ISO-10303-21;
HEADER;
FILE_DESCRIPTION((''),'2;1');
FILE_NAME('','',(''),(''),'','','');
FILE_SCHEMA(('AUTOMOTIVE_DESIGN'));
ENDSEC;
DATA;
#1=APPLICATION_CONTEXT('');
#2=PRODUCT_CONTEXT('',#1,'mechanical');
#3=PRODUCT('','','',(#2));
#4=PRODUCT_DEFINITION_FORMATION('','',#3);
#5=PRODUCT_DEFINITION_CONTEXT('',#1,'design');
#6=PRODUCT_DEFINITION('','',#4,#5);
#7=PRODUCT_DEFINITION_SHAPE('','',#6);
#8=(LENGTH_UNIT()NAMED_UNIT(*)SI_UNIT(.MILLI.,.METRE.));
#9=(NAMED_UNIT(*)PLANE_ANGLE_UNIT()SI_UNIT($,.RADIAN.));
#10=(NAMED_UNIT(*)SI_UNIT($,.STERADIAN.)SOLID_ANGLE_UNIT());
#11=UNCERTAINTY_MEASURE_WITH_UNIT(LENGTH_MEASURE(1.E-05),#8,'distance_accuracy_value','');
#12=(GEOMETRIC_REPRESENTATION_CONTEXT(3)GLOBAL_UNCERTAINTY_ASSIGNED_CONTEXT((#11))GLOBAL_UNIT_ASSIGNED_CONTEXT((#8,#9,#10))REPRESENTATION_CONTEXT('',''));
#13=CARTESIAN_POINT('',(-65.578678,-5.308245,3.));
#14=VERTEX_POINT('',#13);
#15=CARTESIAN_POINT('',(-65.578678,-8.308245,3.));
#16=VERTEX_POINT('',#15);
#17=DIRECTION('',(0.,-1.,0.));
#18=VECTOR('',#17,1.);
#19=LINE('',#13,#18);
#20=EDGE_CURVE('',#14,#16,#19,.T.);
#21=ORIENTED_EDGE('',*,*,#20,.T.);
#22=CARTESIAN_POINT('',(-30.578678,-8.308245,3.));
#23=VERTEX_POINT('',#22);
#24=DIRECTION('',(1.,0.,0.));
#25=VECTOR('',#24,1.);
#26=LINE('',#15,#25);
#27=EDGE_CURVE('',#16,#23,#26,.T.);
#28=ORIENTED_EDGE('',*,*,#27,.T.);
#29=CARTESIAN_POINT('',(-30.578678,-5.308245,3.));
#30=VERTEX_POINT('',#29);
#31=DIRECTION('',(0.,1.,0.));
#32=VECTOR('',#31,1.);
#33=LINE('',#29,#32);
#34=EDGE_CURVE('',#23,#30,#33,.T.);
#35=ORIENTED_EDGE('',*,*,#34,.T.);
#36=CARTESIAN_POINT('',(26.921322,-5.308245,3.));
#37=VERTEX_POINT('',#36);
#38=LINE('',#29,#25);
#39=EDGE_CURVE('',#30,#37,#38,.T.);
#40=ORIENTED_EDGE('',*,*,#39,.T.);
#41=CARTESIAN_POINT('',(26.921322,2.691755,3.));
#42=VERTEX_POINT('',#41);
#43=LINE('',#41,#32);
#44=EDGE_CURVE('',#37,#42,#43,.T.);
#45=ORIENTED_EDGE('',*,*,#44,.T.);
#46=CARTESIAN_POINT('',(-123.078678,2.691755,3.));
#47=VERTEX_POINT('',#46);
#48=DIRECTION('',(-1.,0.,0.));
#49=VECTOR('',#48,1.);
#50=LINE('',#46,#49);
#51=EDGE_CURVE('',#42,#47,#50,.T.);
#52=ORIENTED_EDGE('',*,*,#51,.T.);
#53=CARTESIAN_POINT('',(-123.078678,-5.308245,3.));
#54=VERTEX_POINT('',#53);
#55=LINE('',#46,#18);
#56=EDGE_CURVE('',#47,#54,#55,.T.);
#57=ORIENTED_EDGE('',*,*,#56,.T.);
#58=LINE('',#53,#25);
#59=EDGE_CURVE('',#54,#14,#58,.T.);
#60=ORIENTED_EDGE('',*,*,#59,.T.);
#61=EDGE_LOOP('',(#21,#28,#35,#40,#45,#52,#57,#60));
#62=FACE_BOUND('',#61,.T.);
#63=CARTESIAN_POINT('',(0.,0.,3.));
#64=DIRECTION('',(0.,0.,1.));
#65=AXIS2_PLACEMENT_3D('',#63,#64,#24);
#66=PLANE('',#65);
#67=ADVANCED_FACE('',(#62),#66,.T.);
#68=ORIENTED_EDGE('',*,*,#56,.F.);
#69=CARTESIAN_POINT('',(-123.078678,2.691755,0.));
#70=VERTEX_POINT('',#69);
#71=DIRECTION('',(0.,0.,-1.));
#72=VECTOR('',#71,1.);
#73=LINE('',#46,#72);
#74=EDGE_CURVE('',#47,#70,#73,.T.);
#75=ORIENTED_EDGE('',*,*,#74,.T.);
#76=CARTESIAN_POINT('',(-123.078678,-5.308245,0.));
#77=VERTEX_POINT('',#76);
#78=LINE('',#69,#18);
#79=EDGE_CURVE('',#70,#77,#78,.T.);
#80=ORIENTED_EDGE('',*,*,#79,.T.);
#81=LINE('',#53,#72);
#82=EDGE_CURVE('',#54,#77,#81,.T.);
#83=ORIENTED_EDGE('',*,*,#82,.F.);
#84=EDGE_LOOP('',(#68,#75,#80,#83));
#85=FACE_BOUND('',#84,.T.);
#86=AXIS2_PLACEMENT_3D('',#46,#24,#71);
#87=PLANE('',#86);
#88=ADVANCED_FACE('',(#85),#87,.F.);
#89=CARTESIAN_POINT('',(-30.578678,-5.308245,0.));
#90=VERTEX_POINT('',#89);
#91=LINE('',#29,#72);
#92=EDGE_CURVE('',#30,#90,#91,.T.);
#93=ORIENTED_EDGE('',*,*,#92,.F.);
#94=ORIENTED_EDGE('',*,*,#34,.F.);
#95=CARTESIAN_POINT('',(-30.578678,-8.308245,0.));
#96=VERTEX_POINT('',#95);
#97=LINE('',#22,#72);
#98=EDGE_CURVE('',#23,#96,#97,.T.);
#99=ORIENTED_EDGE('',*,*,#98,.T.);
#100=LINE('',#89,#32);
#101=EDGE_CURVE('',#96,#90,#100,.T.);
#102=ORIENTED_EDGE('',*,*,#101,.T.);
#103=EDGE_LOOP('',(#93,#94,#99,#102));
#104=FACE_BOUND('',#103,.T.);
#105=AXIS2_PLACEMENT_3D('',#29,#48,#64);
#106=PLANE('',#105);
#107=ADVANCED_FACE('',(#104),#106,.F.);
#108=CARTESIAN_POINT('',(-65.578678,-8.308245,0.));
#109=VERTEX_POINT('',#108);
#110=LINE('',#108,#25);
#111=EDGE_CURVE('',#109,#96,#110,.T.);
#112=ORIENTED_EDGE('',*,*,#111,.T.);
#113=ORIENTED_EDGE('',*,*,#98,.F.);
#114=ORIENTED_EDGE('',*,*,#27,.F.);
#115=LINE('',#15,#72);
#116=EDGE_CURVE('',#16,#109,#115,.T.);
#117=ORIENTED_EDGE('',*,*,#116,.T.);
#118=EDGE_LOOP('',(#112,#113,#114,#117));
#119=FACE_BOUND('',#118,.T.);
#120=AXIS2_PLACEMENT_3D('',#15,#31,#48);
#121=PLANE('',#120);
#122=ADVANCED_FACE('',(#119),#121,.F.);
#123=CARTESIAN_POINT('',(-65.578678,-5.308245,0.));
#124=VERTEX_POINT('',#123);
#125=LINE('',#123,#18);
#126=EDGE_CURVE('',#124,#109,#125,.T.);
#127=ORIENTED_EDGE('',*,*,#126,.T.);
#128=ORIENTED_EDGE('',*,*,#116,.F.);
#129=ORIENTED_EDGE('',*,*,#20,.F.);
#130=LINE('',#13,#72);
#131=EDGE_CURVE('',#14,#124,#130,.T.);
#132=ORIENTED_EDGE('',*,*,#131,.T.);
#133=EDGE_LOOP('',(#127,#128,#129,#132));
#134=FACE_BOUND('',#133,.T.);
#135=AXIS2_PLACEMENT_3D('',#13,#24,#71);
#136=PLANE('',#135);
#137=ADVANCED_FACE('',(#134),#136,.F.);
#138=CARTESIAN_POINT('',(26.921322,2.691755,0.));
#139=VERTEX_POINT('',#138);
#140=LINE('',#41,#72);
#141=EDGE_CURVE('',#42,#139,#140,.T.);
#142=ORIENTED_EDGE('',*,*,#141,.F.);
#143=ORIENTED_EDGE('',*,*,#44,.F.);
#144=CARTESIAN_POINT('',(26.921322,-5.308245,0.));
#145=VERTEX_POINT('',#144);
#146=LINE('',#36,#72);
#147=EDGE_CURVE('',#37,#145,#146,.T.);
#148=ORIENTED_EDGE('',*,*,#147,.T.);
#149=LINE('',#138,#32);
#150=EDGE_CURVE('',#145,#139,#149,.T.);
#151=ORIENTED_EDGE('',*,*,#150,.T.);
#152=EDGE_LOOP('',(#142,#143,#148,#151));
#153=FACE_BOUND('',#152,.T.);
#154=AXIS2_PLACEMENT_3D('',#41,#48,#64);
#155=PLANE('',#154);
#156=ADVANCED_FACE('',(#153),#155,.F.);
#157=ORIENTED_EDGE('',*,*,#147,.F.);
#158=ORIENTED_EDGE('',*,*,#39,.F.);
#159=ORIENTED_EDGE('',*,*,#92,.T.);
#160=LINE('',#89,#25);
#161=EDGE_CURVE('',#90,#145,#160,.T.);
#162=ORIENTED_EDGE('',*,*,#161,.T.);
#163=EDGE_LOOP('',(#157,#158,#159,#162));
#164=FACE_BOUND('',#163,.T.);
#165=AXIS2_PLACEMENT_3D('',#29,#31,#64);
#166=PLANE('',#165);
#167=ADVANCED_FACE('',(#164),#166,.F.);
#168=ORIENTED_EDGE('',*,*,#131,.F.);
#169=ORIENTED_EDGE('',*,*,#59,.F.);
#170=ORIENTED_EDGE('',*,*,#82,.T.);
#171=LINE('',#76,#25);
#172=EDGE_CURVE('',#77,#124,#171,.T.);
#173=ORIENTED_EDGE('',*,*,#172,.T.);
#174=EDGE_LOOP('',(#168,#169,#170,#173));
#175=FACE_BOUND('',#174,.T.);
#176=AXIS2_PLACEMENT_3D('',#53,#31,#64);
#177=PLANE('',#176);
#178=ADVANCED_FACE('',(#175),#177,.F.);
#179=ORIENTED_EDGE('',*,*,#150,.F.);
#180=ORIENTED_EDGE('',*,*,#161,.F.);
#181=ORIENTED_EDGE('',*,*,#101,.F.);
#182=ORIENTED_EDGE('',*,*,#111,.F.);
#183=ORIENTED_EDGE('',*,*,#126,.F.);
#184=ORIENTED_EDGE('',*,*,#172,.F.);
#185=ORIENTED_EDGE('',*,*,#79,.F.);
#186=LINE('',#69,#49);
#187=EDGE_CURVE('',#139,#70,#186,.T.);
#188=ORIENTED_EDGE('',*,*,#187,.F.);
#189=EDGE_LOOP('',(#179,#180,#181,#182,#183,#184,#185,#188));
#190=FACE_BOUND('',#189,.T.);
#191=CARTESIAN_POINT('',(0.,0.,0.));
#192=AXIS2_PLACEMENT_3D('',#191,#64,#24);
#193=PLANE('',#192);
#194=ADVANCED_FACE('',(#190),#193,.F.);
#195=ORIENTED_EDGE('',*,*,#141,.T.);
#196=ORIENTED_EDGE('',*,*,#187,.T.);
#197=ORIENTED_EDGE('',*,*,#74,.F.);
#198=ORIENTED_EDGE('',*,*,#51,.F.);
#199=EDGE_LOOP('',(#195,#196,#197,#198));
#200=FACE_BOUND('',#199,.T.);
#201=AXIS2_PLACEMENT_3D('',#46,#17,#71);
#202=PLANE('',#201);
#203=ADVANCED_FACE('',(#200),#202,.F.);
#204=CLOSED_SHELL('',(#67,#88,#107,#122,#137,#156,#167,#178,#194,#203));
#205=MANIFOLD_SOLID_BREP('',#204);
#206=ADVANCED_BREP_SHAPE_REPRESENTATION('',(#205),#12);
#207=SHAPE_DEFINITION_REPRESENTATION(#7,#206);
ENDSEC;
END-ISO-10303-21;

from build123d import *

# Parameters (mm, degrees)
EXTRUDE_1_DEPTH = 3


with BuildPart() as part:
    # Эскиз1 → Бобышка-Вытянуть1 (new body)
    with BuildSketch(Plane.XY):
        Polygon((-30.578677967, -5.308244507), (26.921322033, -5.308244507), (26.921322033, 2.691755493), (-123.078677967, 2.691755493), (-123.078677967, -5.308244507), (-65.578677967, -5.308244507), (-65.578677967, -8.308244507), (-30.578677967, -8.308244507), align=None)
    extrude(amount=EXTRUDE_1_DEPTH)


solid = part.part
